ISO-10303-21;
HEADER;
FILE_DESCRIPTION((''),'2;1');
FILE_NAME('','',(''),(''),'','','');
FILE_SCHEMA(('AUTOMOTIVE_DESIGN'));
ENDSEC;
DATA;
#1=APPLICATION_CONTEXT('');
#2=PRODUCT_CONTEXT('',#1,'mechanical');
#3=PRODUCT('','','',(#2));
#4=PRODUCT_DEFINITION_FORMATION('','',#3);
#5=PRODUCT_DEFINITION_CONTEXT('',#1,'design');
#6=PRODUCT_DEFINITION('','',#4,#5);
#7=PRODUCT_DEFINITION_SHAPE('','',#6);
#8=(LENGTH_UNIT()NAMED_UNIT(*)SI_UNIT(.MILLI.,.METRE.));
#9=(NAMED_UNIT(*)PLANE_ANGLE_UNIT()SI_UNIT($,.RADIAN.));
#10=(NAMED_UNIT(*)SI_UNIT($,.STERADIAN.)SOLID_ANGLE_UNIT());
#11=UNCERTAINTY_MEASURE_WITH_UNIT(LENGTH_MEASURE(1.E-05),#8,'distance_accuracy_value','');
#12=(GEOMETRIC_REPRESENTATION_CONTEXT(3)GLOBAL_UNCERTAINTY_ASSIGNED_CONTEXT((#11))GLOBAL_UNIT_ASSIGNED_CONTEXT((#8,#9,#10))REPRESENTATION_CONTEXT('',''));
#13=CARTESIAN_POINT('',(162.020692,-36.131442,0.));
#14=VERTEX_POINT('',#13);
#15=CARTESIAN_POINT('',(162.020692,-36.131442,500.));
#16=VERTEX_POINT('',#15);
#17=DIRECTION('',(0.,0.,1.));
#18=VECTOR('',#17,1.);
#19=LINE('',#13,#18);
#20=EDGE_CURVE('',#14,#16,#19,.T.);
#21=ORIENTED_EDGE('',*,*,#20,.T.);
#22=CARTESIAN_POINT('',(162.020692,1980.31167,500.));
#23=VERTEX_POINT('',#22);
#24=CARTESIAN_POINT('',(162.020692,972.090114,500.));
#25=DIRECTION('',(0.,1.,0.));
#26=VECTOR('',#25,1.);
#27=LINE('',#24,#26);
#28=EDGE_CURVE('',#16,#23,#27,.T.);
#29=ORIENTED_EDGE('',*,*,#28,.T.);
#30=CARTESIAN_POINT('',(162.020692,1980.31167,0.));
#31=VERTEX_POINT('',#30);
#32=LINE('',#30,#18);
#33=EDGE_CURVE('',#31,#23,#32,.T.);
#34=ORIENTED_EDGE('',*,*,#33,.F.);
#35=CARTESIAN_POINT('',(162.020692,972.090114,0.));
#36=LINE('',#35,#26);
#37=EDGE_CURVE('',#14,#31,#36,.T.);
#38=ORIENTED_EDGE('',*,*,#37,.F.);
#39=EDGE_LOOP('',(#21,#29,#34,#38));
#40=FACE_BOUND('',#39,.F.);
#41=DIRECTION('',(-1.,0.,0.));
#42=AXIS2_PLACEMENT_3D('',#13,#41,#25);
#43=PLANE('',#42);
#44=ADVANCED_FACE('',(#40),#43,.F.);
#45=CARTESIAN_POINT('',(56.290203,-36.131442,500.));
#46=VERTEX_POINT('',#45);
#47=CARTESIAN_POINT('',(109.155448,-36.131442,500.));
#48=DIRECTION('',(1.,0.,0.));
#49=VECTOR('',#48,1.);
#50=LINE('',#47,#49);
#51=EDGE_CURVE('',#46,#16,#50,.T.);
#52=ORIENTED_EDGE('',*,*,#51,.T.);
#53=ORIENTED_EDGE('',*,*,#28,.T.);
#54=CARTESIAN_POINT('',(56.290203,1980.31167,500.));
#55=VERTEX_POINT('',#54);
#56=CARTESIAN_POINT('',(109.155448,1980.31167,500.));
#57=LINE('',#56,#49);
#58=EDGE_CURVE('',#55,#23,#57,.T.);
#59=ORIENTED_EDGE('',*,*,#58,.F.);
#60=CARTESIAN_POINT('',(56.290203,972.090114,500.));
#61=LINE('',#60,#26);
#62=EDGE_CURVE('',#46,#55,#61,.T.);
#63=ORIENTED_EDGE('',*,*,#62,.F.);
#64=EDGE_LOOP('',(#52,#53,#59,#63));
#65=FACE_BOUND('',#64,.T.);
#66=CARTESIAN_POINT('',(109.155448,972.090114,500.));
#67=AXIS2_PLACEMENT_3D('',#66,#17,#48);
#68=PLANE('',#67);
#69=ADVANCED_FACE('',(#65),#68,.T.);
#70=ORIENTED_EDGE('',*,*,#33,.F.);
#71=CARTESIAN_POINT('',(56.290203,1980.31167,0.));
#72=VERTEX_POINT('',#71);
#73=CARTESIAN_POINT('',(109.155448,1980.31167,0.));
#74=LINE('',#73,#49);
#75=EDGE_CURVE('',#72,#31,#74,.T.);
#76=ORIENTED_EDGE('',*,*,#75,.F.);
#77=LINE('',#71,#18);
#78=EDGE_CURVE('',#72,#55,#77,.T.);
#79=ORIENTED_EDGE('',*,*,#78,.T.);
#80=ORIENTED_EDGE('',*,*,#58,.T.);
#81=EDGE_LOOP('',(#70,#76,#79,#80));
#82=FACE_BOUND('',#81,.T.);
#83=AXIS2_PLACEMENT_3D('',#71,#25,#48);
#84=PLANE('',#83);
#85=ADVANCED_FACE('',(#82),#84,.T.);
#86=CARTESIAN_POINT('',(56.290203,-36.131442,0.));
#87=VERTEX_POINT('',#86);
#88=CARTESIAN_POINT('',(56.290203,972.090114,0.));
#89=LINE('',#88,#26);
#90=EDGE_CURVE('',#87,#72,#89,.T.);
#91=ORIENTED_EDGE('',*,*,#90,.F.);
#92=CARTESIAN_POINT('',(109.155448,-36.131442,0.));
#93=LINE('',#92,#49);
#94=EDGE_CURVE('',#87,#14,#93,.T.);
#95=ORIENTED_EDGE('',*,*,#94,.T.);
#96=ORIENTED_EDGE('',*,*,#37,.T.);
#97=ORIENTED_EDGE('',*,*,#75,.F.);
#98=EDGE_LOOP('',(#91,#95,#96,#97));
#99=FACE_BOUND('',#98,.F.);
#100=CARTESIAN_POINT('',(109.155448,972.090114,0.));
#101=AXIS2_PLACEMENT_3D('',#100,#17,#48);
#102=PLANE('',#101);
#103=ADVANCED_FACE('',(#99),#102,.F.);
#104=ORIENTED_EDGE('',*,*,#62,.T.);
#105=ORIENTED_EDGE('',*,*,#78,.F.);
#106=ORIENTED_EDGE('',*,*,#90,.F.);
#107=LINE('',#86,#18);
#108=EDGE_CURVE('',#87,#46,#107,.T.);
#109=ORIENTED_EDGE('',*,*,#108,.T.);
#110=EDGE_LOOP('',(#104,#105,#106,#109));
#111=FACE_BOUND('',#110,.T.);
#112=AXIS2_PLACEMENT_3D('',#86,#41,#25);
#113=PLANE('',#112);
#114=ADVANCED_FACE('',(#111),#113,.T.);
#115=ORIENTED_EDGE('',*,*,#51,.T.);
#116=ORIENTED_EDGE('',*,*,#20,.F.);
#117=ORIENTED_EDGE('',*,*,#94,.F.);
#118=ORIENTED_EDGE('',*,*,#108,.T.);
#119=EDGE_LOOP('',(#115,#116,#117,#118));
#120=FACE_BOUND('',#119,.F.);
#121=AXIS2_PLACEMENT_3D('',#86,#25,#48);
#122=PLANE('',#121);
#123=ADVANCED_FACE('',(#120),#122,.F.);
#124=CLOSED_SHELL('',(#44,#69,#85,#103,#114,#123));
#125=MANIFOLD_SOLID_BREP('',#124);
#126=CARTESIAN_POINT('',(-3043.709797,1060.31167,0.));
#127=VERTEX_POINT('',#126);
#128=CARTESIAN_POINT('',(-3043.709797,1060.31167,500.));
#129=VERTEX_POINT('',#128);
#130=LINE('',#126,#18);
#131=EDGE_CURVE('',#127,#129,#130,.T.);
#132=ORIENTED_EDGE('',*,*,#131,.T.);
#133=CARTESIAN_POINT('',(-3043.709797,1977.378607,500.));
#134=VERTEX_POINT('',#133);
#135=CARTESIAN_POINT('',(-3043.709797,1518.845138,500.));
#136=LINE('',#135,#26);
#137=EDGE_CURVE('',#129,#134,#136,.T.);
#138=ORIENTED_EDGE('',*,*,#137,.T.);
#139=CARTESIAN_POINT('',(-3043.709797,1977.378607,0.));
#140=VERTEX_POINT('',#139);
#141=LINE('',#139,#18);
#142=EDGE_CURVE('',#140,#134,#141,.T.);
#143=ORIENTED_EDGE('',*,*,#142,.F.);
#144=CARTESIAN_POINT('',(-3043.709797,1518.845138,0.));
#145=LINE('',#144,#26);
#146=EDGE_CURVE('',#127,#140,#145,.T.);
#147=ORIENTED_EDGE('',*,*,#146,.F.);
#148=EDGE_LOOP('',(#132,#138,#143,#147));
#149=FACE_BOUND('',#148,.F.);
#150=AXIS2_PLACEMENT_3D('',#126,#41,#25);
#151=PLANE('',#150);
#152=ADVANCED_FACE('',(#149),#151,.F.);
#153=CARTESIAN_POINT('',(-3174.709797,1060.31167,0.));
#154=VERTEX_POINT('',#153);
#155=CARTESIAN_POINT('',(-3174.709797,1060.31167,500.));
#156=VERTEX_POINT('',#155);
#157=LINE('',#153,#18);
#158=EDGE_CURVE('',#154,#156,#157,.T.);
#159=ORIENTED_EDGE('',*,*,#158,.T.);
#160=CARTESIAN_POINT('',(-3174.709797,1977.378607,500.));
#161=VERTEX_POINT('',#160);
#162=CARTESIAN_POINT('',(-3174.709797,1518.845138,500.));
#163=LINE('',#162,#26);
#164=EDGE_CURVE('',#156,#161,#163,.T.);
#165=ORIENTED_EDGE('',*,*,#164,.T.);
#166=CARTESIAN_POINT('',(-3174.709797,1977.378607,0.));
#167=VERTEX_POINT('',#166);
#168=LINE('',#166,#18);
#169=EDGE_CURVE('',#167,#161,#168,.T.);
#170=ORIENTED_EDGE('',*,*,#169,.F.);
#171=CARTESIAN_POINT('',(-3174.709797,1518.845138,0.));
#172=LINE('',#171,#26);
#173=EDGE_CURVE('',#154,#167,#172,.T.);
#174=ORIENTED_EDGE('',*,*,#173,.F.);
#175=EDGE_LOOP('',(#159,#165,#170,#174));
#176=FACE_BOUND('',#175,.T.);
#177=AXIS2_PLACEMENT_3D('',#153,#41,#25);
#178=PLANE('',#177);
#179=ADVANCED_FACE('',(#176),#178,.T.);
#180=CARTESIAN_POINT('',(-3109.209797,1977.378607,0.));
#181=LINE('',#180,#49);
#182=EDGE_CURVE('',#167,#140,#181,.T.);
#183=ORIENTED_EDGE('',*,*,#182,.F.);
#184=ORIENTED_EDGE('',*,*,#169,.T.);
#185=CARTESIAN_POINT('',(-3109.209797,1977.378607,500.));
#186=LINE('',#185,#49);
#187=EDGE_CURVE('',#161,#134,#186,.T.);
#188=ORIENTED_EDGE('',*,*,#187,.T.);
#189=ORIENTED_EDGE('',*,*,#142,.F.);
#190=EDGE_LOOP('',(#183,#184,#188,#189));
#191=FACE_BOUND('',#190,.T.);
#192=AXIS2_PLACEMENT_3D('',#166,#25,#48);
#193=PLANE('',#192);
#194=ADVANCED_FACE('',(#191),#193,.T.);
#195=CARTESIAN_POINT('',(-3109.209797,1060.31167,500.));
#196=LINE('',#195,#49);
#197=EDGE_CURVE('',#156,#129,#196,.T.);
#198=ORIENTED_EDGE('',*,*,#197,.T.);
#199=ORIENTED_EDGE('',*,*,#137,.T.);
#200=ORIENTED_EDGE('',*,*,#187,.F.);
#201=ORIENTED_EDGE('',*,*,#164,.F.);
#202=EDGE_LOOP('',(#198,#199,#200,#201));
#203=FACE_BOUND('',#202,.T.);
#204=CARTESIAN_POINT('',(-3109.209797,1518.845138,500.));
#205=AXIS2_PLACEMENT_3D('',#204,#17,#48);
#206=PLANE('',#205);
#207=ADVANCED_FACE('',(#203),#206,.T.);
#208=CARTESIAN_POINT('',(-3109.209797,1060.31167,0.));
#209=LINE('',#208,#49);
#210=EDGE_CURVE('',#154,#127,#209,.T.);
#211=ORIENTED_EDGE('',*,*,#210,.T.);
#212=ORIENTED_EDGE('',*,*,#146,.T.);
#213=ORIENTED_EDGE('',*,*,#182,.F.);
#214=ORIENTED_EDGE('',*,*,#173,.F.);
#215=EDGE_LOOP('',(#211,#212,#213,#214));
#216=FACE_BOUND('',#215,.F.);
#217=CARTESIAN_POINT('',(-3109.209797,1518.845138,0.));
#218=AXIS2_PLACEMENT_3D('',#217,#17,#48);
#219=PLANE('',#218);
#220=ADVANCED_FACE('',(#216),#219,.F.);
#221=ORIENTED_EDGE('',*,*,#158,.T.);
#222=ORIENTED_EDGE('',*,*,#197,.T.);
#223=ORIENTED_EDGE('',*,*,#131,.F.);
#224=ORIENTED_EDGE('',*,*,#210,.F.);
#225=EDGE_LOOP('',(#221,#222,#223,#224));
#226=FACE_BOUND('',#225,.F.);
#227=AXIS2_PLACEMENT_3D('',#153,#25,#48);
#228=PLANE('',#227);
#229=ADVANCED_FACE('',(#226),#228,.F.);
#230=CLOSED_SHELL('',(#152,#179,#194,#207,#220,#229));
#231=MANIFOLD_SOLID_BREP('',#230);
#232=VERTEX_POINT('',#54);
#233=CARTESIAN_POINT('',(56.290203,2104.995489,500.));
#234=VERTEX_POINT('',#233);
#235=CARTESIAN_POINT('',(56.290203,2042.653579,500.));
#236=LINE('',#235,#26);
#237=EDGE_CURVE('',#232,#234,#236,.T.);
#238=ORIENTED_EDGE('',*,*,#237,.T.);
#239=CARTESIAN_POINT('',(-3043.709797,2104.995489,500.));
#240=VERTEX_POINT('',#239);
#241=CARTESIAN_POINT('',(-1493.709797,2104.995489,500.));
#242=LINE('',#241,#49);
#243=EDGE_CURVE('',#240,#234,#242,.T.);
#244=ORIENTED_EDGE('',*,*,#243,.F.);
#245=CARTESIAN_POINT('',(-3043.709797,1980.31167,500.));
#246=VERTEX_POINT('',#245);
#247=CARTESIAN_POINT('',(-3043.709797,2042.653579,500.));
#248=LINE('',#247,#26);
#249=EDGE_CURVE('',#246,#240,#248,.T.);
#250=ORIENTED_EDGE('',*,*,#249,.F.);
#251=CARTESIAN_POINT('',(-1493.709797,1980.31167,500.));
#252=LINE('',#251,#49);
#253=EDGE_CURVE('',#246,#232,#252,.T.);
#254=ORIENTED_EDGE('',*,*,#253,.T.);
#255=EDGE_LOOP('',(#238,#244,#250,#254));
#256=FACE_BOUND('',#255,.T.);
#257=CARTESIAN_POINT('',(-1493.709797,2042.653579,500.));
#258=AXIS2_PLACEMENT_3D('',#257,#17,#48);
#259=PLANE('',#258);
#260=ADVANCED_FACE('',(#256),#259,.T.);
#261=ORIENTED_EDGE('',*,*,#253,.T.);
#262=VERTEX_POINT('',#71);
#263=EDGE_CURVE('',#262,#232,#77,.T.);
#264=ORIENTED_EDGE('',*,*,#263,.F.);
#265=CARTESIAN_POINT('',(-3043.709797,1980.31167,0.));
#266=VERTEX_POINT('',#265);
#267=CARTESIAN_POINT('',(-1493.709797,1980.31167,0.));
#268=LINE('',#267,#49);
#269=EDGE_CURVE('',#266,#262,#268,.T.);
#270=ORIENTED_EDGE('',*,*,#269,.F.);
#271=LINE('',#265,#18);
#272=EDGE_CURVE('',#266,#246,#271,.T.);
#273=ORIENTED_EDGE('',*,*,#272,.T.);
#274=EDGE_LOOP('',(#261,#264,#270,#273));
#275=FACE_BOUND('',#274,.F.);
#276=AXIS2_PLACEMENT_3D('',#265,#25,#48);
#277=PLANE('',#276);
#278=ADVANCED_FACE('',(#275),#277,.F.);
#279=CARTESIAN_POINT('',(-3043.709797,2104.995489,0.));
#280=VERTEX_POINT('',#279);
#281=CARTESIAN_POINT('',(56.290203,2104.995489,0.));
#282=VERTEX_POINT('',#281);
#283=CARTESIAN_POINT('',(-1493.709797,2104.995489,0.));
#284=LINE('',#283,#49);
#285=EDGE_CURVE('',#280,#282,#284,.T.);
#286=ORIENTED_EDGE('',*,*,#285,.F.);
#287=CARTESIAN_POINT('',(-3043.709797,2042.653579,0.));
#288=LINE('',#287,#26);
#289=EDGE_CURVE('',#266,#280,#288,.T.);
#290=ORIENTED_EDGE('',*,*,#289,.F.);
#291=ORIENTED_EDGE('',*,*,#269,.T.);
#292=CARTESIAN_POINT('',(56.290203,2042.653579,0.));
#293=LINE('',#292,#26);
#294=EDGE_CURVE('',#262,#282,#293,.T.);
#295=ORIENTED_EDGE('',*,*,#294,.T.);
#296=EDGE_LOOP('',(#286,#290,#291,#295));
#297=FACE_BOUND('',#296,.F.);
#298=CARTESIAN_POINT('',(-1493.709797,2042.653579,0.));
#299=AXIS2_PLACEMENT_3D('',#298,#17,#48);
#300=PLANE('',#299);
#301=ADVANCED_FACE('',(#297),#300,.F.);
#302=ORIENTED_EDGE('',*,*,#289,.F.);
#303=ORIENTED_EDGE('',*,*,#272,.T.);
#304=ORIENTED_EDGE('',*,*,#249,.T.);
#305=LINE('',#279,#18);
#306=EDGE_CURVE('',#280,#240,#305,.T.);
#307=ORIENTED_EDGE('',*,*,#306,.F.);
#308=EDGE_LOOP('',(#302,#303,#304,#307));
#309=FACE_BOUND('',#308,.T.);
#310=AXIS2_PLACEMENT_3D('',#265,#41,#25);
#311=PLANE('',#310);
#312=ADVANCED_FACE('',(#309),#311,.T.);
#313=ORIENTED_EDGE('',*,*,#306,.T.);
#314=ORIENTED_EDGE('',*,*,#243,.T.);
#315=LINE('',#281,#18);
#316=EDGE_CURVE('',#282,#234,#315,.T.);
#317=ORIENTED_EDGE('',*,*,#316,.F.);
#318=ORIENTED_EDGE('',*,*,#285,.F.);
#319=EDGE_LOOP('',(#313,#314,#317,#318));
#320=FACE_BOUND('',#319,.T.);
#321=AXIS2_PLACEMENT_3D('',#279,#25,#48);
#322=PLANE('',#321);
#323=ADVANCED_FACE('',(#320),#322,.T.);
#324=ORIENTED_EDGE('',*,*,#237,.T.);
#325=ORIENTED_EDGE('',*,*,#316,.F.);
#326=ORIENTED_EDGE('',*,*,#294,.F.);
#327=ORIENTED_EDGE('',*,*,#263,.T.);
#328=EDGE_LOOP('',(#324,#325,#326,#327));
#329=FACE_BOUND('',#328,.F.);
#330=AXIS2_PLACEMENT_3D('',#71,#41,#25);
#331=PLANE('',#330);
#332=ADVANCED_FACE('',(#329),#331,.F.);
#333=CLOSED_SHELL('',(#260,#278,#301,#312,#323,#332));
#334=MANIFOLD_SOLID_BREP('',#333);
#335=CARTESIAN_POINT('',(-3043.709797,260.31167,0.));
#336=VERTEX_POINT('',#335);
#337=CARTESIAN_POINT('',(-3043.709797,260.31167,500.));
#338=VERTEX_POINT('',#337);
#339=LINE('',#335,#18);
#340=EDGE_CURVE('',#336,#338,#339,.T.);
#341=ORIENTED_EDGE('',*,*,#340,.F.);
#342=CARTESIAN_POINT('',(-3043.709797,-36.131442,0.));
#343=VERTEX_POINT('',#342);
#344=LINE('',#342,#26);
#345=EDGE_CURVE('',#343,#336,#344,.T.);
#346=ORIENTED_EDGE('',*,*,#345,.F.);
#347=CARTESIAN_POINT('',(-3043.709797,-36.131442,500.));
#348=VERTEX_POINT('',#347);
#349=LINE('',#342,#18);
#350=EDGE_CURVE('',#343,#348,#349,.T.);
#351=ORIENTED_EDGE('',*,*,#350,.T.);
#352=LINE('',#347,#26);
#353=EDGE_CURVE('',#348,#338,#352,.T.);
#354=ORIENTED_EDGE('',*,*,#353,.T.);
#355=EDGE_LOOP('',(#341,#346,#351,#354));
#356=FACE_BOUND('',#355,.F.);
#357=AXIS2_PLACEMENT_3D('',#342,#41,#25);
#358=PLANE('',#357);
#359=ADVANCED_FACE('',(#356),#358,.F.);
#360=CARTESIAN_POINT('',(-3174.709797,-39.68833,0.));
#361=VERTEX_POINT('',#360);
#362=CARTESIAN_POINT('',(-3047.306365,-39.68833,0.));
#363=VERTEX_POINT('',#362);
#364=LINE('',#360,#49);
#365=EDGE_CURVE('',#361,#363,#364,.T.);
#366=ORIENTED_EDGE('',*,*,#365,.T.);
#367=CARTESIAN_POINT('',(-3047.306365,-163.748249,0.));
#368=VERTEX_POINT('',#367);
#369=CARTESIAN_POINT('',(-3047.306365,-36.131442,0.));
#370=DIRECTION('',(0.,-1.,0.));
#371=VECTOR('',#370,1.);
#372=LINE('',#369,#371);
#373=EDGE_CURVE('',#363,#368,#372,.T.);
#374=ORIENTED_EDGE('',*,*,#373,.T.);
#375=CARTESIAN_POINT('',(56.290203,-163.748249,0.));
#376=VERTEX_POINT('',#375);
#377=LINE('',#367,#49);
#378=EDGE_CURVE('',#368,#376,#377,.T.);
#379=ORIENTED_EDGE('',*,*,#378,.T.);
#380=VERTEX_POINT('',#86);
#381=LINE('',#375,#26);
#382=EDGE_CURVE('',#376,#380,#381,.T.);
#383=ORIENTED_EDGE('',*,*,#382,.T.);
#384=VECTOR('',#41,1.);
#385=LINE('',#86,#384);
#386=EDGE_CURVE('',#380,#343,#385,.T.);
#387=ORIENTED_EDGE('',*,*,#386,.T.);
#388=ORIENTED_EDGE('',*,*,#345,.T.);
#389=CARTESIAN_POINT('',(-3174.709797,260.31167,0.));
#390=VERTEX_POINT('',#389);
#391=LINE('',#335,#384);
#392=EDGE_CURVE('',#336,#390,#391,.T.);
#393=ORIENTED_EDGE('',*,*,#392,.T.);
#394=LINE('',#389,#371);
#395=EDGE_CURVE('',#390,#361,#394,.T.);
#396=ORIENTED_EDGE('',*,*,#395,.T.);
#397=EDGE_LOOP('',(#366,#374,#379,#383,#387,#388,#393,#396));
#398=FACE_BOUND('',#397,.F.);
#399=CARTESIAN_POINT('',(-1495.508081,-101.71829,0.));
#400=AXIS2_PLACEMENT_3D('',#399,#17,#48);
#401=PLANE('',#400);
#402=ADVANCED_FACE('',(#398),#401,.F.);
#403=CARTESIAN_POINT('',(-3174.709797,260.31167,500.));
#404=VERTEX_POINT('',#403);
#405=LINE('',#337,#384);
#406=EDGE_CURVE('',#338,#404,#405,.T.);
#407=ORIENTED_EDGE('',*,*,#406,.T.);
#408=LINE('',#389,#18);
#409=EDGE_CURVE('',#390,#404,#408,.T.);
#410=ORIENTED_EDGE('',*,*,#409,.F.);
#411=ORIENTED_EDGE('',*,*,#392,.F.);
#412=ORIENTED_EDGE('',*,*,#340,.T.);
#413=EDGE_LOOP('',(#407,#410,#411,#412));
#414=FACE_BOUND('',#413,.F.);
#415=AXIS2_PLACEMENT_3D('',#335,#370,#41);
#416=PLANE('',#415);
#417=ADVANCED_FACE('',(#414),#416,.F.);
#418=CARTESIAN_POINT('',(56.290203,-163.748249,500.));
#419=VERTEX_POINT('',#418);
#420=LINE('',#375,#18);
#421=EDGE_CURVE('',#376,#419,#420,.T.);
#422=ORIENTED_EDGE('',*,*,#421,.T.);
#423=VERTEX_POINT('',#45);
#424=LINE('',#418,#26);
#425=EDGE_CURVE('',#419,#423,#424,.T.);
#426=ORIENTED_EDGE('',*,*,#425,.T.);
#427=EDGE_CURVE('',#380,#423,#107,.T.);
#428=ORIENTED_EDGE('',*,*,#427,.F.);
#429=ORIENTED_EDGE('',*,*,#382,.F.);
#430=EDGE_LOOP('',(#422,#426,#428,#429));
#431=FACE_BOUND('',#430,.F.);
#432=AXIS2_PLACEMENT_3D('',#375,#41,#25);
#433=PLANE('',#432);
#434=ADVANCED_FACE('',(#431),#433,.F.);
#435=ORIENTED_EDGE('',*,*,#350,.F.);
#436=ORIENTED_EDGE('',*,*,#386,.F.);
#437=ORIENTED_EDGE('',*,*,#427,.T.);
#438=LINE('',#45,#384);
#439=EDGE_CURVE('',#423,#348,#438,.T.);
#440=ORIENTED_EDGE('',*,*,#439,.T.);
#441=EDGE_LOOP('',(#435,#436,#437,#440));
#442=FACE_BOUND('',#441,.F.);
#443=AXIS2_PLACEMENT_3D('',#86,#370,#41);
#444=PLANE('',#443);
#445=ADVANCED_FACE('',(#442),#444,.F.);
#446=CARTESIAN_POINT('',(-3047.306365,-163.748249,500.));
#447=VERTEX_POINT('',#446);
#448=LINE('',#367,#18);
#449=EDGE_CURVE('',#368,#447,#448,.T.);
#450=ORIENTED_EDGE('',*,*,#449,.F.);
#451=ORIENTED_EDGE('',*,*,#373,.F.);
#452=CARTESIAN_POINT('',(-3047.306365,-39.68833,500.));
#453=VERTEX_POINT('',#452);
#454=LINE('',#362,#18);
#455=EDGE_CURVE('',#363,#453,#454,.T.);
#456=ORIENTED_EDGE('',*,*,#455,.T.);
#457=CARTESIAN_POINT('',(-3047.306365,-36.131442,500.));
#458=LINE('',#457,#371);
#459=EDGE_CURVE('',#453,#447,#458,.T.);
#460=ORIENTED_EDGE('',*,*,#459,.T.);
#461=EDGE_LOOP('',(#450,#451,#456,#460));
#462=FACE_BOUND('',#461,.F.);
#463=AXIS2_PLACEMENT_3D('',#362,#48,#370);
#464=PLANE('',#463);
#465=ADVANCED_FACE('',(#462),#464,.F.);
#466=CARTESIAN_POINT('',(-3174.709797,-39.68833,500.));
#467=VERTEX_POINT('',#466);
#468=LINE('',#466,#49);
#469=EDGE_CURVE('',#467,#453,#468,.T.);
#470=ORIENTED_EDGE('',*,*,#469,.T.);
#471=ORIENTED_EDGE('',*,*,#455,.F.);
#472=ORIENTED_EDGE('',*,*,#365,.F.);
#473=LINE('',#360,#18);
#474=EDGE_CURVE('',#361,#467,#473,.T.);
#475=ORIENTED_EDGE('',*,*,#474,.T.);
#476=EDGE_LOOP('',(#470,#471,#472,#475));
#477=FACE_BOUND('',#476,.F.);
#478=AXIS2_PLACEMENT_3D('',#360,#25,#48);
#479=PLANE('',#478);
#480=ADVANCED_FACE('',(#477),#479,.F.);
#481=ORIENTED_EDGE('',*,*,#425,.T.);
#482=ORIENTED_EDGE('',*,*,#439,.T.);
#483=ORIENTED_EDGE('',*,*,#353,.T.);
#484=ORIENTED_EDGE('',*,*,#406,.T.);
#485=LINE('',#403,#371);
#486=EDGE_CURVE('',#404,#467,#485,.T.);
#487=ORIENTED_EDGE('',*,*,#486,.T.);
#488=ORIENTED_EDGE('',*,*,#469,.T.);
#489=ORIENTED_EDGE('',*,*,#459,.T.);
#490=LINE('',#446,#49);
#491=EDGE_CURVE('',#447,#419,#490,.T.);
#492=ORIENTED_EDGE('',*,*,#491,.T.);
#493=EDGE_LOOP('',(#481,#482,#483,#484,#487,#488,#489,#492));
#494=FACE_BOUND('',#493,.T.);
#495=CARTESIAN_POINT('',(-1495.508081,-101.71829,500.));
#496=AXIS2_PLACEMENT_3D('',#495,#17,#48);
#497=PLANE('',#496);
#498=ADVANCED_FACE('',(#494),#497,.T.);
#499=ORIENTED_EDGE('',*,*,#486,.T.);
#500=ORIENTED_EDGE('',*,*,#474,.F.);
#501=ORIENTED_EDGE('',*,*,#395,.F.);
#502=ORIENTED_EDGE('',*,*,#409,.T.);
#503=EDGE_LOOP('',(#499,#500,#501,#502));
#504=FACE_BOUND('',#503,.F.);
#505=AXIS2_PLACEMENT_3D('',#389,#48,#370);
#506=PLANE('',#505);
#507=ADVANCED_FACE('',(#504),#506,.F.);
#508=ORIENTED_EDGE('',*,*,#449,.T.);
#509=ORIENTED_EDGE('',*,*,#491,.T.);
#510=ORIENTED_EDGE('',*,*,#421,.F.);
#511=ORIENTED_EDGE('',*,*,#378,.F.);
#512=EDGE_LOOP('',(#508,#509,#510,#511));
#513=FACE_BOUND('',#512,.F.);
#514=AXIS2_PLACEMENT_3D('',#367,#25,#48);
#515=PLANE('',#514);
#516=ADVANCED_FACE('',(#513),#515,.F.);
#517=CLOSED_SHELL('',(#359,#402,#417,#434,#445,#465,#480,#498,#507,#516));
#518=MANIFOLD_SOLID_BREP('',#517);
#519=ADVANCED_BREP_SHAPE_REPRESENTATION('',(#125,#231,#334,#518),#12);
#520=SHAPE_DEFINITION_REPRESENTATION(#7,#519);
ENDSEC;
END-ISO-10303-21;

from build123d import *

# Parameters (mm, degrees)
F0_W     = 3100
F0_H     = 124.6838192642
F1_DEPTH = 500
F0_W_2   = 105.7304888964
F0_H_2   = 2016.4431114495
F0_H_3   = 3.5568885505
F0_W_3   = 3.5965681076
F0_W_4   = 131
F0_H_4   = 917.06693694


with BuildPart() as f1:
    # F0 (on Top) → F1 (new body)
    with BuildSketch(Plane.XY):
        with Locations((-1493.7097969055, 2042.6535794884)):
            Rectangle(F0_W, F0_H)
    extrude(amount=F1_DEPTH)


with BuildPart() as f1b:
    # F0 (on Top) → F1, piece 2 (new body)
    with BuildSketch(Plane.XY):
        with Locations((109.1554475427, 972.0901141316)):
            Rectangle(F0_W_2, F0_H_2)
    extrude(amount=F1_DEPTH)


with BuildPart() as f1c:
    # F0 (on Top) → F1, piece 3 (new body)
    with BuildSketch(Plane.XY):
        Polygon((56.2902030945, -163.7482494116), (56.2902030945, -39.6883301437), (-3043.7097969055, -39.6883301437), (-3047.3063650131, -39.6883301437), (-3047.3063650131, -163.7482494116), align=None)
        with Locations((-1493.7097969055, -37.9098858684)):
            Rectangle(F0_W, F0_H_3)
        with Locations((-3045.5080809593, -37.9098858684)):
            Rectangle(F0_W_3, F0_H_3)
        Polygon((-3047.3063650131, -36.1314415932), (-3043.7097969055, -36.1314415932), (-3043.7097969055, 260.3116698563), (-3174.7097969055, 260.3116698563), (-3174.7097969055, -39.6883301437), (-3047.3063650131, -39.6883301437), align=None)
    extrude(amount=F1_DEPTH)


with BuildPart() as f1d:
    # F0 (on Top) → F1, piece 4 (new body)
    with BuildSketch(Plane.XY):
        with Locations((-3109.2097969055, 1518.8451383263)):
            Rectangle(F0_W_4, F0_H_4)
    extrude(amount=F1_DEPTH)


solid = Compound([f1.part, f1b.part, f1c.part, f1d.part])
